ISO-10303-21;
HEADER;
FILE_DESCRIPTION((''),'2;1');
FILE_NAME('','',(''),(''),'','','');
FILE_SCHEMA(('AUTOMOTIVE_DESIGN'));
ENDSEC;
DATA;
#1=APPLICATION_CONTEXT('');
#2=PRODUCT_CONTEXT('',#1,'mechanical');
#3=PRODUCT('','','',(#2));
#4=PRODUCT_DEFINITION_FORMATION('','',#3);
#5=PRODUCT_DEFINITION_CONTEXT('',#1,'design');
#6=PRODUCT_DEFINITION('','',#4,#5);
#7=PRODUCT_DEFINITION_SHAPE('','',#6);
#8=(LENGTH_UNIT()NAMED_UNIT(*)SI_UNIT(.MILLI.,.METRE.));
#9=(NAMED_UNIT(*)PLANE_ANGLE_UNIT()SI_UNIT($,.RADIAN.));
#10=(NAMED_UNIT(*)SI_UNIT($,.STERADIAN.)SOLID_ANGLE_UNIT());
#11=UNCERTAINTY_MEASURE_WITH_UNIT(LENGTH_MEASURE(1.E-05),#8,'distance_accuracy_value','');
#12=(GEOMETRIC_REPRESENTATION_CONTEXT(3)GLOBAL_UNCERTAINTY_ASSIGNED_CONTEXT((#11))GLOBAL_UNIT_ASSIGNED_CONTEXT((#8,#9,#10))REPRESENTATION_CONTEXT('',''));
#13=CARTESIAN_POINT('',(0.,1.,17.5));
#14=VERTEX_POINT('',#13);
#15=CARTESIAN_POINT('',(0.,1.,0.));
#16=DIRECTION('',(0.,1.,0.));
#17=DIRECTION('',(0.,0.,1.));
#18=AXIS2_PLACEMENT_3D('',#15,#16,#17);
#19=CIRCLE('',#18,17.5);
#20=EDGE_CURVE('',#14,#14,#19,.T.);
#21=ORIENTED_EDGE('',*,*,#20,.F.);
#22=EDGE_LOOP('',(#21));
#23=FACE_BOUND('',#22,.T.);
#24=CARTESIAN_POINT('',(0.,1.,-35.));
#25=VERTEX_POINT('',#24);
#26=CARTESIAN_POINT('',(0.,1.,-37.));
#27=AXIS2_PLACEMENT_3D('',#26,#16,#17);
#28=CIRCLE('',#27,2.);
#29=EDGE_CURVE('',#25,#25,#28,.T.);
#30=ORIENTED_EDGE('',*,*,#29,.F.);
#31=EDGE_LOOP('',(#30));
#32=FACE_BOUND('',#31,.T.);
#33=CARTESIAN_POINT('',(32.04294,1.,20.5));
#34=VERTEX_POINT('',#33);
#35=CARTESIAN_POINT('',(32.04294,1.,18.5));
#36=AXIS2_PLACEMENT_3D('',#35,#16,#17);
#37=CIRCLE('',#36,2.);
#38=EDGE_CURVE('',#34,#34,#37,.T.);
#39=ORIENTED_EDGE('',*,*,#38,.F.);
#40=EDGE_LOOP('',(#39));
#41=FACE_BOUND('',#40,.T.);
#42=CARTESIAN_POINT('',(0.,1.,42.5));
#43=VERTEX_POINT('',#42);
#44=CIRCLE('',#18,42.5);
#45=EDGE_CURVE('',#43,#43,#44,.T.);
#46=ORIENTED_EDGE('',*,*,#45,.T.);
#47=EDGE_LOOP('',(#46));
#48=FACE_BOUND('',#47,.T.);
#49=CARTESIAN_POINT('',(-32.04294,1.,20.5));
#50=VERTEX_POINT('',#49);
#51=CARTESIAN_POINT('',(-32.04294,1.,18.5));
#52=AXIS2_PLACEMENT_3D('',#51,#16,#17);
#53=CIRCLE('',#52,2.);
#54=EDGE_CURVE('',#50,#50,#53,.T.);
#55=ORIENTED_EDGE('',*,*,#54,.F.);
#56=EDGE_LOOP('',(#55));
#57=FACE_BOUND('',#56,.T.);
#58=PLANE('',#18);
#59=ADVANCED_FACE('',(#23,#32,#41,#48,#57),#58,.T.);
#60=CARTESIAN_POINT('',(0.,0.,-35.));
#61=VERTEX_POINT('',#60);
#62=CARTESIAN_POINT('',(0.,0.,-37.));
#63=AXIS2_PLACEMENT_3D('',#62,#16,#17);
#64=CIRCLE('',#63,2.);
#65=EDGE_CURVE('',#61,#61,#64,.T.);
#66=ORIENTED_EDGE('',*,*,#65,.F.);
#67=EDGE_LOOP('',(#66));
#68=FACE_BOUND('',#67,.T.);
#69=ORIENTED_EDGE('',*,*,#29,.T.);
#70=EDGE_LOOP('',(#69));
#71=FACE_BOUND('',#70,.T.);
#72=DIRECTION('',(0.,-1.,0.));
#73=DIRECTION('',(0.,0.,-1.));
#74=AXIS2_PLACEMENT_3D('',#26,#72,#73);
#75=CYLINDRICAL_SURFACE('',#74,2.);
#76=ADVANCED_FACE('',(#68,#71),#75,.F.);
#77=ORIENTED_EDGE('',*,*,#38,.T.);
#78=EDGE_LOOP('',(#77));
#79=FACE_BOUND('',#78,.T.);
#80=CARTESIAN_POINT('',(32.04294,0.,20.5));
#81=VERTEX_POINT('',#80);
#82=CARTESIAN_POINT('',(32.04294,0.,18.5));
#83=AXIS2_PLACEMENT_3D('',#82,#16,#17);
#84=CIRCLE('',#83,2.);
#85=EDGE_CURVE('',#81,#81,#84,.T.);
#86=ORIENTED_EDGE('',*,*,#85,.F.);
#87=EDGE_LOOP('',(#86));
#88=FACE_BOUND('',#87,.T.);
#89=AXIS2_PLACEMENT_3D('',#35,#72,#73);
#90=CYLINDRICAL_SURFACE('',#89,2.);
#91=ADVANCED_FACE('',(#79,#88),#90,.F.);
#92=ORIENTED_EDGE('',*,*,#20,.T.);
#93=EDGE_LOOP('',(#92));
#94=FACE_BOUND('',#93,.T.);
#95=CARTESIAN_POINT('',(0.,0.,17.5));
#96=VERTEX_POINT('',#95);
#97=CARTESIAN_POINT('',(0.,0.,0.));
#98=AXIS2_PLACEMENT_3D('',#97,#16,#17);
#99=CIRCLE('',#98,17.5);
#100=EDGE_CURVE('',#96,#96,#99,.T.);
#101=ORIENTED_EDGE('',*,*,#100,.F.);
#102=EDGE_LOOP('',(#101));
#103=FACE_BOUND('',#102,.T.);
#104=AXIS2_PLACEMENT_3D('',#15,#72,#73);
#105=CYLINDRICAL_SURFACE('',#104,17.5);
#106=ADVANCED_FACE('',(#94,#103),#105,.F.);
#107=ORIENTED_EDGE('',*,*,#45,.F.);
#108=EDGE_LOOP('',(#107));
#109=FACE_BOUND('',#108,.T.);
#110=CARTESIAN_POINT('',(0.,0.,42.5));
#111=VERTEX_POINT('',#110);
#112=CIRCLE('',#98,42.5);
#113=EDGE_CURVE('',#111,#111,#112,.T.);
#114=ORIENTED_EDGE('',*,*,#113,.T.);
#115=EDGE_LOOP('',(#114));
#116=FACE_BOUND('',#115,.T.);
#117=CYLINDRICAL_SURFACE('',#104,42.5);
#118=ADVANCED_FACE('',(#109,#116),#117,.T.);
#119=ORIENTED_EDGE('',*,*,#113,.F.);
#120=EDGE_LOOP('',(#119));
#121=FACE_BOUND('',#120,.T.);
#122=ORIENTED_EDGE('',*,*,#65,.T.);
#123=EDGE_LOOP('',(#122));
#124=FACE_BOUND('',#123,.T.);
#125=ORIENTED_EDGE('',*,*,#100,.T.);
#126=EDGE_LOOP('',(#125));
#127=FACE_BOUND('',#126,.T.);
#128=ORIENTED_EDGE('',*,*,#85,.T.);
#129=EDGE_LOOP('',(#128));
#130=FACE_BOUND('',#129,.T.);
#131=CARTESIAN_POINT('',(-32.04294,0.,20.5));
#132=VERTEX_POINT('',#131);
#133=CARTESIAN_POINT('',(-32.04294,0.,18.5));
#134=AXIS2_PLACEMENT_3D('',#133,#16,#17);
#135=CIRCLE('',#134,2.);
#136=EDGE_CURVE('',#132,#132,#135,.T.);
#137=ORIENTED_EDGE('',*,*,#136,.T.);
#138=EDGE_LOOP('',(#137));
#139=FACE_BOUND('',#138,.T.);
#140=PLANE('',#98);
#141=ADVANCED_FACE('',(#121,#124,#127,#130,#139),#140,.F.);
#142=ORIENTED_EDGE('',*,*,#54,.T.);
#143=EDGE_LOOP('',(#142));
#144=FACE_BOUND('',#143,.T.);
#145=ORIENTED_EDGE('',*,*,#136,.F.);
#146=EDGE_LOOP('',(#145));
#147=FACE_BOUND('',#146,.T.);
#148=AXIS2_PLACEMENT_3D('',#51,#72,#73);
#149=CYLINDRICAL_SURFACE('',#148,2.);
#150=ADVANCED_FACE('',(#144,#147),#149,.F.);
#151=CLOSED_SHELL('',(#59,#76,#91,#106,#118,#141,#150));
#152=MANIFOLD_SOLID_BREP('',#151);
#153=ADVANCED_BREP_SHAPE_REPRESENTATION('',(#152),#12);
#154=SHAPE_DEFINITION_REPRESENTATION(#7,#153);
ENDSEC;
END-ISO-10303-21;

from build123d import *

# Parameters (mm, degrees)
SKETCH1_R           = 42.5
SKETCH1_R_2         = 17.5
SKETCH1_R_3         = 2
BOSS_EXTRUDE1_DEPTH = 1


with BuildPart() as part:
    # Sketch1 → Boss-Extrude1 (new body)
    with BuildSketch(Plane(origin=(0, 0, 0), x_dir=(1, 0, 0), z_dir=(0, 1, 0))):
        with Locations(Location((0, 0, 0), (0, 0, 270))):
            Circle(SKETCH1_R)
        with Locations(Location((0, 0, 0), (0, 0, 270))):
            Circle(SKETCH1_R_2, mode=Mode.SUBTRACT)
        with Locations(Location((0, 37, 0), (0, 0, 270))):
            Circle(SKETCH1_R_3, mode=Mode.SUBTRACT)
        with Locations(Location((32.04293994, -18.5, 0), (0, 0, 270))):
            Circle(SKETCH1_R_3, mode=Mode.SUBTRACT)
        with Locations(Location((-32.04293994, -18.5, 0), (0, 0, 270))):
            Circle(SKETCH1_R_3, mode=Mode.SUBTRACT)
    extrude(amount=BOSS_EXTRUDE1_DEPTH)


solid = part.part
